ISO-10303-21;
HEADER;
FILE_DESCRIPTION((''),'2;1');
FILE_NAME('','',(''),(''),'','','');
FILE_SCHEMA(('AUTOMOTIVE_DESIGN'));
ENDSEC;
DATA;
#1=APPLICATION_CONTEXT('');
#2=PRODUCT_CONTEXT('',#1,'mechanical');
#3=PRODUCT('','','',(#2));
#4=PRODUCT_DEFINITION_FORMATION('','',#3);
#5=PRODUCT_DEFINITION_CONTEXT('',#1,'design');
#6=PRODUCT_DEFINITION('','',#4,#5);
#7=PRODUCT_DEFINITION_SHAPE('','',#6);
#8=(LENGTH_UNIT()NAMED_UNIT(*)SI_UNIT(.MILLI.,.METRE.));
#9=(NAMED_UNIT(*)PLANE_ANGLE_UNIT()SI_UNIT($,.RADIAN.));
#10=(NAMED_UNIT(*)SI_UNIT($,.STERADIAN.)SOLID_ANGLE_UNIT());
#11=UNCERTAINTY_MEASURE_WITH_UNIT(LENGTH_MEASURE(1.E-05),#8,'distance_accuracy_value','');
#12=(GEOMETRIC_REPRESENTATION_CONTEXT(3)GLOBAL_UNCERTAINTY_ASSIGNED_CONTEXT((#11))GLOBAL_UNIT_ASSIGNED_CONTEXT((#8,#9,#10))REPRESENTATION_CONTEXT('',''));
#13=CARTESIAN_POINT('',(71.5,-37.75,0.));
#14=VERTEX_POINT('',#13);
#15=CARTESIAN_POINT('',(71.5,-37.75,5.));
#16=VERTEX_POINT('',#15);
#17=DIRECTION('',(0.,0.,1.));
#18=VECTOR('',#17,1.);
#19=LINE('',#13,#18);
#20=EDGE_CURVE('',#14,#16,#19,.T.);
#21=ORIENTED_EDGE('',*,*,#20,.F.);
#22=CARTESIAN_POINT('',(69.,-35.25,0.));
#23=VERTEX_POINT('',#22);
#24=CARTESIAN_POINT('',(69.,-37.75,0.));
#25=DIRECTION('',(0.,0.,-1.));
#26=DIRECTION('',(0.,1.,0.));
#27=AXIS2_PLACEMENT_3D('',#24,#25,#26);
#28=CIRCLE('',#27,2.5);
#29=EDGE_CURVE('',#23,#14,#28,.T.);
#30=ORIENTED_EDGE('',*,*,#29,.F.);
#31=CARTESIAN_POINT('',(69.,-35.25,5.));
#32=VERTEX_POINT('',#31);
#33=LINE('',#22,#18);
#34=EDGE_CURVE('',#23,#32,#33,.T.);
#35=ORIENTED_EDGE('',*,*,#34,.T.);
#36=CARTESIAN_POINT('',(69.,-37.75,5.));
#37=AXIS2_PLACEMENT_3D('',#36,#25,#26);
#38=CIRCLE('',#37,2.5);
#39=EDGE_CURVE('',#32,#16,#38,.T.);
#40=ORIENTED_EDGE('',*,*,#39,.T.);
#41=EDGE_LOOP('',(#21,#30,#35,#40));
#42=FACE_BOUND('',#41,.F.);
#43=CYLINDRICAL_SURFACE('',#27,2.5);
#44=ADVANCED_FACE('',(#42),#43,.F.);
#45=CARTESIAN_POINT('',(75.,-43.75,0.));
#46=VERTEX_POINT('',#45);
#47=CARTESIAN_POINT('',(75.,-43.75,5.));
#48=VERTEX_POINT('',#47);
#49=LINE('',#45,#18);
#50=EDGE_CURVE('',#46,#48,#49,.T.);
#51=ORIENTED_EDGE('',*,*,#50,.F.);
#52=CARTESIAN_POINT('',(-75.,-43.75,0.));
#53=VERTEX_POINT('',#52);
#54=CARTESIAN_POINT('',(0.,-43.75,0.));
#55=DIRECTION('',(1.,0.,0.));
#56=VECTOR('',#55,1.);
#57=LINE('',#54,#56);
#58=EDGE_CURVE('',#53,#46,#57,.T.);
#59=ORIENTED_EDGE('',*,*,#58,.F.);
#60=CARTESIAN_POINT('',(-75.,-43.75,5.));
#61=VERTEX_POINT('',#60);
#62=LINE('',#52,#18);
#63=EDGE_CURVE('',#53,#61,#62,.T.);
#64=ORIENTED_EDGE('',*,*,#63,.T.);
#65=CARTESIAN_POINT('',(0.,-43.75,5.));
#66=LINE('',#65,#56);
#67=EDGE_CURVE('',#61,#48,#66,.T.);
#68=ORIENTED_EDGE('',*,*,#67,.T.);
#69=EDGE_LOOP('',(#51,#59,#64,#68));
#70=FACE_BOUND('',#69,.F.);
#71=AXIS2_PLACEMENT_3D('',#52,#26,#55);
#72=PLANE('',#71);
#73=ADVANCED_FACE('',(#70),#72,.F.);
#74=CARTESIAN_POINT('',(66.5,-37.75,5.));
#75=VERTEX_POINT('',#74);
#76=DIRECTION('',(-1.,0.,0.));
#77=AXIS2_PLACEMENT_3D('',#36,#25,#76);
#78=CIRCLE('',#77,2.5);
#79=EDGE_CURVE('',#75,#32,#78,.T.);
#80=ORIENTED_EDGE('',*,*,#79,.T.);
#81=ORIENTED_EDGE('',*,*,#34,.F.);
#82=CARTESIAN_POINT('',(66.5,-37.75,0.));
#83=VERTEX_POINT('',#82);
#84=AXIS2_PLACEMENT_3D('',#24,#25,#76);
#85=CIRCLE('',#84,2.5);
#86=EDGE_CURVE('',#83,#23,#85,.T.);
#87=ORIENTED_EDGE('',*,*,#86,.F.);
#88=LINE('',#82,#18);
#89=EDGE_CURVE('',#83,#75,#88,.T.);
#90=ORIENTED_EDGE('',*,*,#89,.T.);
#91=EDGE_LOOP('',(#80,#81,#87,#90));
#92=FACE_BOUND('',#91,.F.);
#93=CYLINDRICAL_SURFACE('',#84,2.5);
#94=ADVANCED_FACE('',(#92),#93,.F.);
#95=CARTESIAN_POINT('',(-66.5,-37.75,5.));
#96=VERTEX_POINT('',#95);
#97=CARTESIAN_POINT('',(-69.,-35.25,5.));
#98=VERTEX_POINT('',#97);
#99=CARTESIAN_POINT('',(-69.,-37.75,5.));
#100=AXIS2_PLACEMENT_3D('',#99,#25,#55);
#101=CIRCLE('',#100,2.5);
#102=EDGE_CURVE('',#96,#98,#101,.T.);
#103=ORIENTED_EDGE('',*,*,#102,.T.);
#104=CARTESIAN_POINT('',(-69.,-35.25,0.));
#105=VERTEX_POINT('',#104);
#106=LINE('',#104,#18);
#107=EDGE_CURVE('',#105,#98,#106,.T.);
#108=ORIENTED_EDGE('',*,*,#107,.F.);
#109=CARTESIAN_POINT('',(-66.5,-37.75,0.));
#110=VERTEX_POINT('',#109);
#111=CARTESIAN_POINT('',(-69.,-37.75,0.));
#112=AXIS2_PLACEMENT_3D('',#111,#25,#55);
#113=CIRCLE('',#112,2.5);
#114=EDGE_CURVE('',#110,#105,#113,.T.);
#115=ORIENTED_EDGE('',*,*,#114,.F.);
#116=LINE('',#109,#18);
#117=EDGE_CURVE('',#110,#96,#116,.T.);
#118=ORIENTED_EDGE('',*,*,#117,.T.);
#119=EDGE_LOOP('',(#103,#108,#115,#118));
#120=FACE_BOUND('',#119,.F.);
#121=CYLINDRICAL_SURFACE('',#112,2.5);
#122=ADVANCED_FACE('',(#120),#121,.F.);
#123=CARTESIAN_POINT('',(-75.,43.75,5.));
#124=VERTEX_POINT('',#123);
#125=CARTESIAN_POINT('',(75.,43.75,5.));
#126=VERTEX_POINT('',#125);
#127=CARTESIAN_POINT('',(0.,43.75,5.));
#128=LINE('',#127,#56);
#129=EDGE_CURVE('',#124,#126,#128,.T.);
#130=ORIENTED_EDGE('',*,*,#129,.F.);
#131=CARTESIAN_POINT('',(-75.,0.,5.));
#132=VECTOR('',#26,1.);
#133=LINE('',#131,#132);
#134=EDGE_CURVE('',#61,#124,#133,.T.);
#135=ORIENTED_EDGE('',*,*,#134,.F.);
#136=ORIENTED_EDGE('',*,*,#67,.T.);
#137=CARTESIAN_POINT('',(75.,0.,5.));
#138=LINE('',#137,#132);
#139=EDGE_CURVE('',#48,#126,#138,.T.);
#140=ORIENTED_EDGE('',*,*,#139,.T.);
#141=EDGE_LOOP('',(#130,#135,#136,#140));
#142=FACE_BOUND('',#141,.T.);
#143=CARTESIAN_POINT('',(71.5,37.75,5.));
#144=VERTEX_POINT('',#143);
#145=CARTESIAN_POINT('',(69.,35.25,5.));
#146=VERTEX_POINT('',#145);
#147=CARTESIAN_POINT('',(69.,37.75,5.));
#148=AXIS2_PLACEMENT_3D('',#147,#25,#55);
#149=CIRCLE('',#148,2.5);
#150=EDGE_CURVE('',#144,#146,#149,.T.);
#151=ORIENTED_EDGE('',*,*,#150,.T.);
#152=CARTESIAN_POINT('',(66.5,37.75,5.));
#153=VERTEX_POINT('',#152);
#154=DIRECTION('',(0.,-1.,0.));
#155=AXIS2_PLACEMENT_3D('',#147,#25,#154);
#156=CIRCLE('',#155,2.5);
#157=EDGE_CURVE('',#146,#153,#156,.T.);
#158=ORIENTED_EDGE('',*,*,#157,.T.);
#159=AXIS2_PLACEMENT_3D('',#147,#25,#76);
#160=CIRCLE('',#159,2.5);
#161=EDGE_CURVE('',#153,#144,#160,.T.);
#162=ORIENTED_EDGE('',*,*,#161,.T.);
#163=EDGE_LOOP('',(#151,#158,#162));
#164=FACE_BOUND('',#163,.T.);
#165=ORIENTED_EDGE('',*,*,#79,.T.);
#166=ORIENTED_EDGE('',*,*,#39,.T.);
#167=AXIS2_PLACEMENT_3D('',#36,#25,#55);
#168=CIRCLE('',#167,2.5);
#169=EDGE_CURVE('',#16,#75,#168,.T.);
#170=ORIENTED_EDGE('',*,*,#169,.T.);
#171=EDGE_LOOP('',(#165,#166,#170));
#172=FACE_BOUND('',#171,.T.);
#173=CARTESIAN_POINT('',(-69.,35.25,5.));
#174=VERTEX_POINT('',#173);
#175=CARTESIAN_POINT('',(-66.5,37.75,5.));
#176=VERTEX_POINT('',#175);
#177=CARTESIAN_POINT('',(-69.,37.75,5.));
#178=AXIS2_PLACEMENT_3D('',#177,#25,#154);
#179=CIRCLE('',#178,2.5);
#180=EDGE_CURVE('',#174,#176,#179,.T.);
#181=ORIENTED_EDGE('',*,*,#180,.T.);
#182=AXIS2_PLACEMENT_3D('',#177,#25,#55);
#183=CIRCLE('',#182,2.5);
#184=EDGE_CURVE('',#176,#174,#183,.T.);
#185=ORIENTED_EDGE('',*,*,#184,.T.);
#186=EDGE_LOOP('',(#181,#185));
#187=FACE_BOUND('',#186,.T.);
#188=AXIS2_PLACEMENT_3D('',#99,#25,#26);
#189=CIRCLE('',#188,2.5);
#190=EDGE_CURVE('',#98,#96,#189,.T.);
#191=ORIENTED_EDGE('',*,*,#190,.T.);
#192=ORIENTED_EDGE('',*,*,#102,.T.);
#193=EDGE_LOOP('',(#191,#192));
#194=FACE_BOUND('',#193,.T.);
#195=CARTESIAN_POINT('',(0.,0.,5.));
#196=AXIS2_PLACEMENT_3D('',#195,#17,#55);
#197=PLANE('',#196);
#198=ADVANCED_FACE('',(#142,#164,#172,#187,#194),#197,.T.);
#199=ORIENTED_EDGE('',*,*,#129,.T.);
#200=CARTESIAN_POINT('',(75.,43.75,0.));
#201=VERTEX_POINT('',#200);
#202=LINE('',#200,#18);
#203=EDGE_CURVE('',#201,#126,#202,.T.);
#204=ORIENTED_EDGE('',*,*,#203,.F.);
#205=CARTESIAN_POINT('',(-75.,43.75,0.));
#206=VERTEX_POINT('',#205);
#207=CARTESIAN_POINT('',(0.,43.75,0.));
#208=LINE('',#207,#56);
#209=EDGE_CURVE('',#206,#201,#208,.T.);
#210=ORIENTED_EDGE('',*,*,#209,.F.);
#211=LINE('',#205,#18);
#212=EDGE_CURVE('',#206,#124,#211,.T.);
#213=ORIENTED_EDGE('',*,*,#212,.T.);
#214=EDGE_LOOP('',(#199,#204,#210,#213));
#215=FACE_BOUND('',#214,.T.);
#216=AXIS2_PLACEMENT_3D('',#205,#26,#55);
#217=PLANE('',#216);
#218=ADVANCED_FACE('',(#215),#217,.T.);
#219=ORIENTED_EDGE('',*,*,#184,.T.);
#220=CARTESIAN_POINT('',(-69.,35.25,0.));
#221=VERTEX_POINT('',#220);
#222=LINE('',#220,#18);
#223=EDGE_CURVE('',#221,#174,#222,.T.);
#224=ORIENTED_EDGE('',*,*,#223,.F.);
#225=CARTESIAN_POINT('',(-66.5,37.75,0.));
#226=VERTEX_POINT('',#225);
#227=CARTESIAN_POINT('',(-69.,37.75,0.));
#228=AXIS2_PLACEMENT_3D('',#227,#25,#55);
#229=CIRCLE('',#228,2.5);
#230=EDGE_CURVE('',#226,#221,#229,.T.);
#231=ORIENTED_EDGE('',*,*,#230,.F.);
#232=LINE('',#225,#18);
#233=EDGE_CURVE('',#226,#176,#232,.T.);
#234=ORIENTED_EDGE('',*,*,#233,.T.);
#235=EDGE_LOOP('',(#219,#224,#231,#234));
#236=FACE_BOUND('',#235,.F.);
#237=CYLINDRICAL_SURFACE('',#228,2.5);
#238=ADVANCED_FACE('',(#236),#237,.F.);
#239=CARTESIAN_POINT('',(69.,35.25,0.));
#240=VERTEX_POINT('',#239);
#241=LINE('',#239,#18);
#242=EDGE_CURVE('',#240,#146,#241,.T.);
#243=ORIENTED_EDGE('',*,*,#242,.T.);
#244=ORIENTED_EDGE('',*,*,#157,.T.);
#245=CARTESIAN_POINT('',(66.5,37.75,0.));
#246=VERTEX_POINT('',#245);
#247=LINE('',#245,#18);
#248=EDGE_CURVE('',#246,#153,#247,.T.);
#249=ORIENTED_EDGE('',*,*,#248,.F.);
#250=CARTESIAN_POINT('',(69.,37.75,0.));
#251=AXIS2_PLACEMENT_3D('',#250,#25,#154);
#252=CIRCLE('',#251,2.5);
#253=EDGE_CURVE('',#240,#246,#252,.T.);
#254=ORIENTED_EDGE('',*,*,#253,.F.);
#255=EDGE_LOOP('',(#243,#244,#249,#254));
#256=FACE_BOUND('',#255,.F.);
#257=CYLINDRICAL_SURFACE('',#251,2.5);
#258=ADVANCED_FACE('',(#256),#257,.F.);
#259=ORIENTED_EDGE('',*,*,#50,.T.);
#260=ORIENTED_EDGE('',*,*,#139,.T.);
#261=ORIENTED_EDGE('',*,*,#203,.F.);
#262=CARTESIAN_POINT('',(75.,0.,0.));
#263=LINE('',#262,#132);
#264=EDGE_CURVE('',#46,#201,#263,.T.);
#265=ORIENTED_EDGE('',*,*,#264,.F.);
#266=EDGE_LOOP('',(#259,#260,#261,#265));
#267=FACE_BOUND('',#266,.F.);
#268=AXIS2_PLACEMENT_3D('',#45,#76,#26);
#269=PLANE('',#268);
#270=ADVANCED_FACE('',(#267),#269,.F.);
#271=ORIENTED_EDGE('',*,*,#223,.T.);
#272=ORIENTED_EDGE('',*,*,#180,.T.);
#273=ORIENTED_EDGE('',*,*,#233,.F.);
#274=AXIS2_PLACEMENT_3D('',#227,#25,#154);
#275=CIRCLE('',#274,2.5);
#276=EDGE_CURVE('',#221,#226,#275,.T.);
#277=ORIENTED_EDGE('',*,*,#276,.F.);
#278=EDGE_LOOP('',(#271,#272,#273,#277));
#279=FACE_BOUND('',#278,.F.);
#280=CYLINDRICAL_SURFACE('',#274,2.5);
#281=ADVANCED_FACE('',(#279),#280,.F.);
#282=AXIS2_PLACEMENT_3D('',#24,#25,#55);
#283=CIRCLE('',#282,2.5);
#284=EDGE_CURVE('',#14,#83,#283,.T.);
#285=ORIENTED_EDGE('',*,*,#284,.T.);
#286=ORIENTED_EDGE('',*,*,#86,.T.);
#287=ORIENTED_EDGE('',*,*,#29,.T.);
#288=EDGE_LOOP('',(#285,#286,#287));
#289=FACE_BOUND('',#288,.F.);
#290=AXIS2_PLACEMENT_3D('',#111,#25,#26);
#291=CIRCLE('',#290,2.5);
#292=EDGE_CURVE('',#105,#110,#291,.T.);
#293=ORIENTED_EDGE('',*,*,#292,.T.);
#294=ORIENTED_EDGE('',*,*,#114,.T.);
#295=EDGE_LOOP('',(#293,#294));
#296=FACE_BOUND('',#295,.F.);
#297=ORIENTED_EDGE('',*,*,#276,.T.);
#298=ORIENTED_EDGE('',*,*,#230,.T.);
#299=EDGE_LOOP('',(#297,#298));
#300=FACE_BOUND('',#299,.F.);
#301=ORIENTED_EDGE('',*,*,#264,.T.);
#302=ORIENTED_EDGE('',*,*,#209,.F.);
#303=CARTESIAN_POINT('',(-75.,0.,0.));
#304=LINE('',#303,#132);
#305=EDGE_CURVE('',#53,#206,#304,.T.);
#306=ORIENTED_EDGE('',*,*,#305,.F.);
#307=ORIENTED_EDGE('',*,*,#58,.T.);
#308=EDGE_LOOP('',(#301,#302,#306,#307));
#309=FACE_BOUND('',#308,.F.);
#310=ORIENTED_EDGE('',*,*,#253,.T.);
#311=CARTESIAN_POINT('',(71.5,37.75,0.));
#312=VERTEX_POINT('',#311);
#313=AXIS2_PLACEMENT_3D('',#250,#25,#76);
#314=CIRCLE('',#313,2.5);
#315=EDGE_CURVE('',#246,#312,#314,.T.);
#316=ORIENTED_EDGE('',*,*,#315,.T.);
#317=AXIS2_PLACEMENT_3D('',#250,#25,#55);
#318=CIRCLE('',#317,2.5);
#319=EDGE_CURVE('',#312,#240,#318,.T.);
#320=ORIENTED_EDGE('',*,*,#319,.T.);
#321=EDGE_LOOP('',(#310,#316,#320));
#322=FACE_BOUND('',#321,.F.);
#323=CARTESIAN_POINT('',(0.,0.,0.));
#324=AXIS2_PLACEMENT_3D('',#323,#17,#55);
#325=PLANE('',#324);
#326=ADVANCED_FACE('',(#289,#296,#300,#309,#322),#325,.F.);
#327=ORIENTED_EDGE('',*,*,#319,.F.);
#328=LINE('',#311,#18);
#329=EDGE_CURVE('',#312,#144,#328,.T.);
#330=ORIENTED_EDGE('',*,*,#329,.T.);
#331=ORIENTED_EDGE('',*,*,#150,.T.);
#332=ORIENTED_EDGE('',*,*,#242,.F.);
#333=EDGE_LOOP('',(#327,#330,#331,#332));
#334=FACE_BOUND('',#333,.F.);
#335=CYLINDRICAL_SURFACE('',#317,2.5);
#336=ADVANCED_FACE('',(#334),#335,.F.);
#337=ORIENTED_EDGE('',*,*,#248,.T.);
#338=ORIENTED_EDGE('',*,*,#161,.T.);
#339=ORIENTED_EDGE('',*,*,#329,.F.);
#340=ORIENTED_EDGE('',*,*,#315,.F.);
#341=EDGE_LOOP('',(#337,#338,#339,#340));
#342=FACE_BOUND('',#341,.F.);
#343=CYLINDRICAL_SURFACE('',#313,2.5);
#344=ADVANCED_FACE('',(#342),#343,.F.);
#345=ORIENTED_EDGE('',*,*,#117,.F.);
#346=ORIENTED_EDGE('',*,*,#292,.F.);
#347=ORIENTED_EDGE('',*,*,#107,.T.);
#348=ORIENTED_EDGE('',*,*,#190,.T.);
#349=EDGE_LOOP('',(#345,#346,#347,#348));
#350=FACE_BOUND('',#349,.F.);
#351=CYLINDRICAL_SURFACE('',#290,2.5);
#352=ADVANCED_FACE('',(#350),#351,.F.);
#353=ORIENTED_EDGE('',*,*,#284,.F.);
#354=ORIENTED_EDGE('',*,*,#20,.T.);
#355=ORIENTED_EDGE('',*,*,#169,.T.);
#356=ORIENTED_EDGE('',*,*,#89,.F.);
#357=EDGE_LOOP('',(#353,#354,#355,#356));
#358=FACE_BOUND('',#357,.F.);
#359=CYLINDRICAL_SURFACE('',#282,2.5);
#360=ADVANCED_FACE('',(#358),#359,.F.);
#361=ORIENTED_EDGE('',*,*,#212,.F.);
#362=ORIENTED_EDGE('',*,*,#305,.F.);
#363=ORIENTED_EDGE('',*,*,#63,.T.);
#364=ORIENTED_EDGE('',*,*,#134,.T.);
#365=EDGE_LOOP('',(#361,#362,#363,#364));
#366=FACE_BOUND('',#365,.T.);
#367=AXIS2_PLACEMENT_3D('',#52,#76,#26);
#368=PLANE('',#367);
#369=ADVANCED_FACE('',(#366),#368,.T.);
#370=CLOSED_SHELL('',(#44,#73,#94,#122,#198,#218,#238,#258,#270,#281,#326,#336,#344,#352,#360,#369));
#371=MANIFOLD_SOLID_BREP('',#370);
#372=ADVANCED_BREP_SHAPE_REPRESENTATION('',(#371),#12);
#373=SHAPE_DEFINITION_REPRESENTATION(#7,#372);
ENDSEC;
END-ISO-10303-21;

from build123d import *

# Parameters (mm, degrees)
F0_W     = 150
F0_H     = 87.5
F1_DEPTH = 5


with BuildPart() as f1:
    # F0 (on Top) → F1 (new body)
    with BuildSketch(Plane.XY):
        Rectangle(F0_W, F0_H)
        with BuildLine():
            ThreePointArc((-69, 35.25), (-70.767766953, 39.517766953), (-66.5, 37.75))
            Line((-66.5, 37.75), (66.5, 37.75))
            ThreePointArc((66.5, 37.75), (69, 40.25), (71.5, 37.75))
            ThreePointArc((71.5, 37.75), (70.767766953, 35.982233047), (69, 35.25))
            Line((69, 35.25), (69, -35.25))
            ThreePointArc((69, -35.25), (70.767766953, -35.982233047), (71.5, -37.75))
            ThreePointArc((71.5, -37.75), (69, -40.25), (66.5, -37.75))
            Line((66.5, -37.75), (-66.5, -37.75))
            ThreePointArc((-66.5, -37.75), (-70.767766953, -39.517766953), (-69, -35.25))
            Line((-69, -35.25), (-69, 35.25))
        make_face(mode=Mode.SUBTRACT)
        with BuildLine():
            Line((66.5, 37.75), (-66.5, 37.75))
            ThreePointArc((-66.5, 37.75), (-67.232233047, 35.982233047), (-69, 35.25))
            Line((-69, 35.25), (-69, -35.25))
            ThreePointArc((-69, -35.25), (-67.232233047, -35.982233047), (-66.5, -37.75))
            Line((-66.5, -37.75), (66.5, -37.75))
            ThreePointArc((66.5, -37.75), (67.232233047, -35.982233047), (69, -35.25))
            Line((69, -35.25), (69, 35.25))
            ThreePointArc((69, 35.25), (67.232233047, 35.982233047), (66.5, 37.75))
        make_face()
    extrude(amount=F1_DEPTH)


solid = f1.part
